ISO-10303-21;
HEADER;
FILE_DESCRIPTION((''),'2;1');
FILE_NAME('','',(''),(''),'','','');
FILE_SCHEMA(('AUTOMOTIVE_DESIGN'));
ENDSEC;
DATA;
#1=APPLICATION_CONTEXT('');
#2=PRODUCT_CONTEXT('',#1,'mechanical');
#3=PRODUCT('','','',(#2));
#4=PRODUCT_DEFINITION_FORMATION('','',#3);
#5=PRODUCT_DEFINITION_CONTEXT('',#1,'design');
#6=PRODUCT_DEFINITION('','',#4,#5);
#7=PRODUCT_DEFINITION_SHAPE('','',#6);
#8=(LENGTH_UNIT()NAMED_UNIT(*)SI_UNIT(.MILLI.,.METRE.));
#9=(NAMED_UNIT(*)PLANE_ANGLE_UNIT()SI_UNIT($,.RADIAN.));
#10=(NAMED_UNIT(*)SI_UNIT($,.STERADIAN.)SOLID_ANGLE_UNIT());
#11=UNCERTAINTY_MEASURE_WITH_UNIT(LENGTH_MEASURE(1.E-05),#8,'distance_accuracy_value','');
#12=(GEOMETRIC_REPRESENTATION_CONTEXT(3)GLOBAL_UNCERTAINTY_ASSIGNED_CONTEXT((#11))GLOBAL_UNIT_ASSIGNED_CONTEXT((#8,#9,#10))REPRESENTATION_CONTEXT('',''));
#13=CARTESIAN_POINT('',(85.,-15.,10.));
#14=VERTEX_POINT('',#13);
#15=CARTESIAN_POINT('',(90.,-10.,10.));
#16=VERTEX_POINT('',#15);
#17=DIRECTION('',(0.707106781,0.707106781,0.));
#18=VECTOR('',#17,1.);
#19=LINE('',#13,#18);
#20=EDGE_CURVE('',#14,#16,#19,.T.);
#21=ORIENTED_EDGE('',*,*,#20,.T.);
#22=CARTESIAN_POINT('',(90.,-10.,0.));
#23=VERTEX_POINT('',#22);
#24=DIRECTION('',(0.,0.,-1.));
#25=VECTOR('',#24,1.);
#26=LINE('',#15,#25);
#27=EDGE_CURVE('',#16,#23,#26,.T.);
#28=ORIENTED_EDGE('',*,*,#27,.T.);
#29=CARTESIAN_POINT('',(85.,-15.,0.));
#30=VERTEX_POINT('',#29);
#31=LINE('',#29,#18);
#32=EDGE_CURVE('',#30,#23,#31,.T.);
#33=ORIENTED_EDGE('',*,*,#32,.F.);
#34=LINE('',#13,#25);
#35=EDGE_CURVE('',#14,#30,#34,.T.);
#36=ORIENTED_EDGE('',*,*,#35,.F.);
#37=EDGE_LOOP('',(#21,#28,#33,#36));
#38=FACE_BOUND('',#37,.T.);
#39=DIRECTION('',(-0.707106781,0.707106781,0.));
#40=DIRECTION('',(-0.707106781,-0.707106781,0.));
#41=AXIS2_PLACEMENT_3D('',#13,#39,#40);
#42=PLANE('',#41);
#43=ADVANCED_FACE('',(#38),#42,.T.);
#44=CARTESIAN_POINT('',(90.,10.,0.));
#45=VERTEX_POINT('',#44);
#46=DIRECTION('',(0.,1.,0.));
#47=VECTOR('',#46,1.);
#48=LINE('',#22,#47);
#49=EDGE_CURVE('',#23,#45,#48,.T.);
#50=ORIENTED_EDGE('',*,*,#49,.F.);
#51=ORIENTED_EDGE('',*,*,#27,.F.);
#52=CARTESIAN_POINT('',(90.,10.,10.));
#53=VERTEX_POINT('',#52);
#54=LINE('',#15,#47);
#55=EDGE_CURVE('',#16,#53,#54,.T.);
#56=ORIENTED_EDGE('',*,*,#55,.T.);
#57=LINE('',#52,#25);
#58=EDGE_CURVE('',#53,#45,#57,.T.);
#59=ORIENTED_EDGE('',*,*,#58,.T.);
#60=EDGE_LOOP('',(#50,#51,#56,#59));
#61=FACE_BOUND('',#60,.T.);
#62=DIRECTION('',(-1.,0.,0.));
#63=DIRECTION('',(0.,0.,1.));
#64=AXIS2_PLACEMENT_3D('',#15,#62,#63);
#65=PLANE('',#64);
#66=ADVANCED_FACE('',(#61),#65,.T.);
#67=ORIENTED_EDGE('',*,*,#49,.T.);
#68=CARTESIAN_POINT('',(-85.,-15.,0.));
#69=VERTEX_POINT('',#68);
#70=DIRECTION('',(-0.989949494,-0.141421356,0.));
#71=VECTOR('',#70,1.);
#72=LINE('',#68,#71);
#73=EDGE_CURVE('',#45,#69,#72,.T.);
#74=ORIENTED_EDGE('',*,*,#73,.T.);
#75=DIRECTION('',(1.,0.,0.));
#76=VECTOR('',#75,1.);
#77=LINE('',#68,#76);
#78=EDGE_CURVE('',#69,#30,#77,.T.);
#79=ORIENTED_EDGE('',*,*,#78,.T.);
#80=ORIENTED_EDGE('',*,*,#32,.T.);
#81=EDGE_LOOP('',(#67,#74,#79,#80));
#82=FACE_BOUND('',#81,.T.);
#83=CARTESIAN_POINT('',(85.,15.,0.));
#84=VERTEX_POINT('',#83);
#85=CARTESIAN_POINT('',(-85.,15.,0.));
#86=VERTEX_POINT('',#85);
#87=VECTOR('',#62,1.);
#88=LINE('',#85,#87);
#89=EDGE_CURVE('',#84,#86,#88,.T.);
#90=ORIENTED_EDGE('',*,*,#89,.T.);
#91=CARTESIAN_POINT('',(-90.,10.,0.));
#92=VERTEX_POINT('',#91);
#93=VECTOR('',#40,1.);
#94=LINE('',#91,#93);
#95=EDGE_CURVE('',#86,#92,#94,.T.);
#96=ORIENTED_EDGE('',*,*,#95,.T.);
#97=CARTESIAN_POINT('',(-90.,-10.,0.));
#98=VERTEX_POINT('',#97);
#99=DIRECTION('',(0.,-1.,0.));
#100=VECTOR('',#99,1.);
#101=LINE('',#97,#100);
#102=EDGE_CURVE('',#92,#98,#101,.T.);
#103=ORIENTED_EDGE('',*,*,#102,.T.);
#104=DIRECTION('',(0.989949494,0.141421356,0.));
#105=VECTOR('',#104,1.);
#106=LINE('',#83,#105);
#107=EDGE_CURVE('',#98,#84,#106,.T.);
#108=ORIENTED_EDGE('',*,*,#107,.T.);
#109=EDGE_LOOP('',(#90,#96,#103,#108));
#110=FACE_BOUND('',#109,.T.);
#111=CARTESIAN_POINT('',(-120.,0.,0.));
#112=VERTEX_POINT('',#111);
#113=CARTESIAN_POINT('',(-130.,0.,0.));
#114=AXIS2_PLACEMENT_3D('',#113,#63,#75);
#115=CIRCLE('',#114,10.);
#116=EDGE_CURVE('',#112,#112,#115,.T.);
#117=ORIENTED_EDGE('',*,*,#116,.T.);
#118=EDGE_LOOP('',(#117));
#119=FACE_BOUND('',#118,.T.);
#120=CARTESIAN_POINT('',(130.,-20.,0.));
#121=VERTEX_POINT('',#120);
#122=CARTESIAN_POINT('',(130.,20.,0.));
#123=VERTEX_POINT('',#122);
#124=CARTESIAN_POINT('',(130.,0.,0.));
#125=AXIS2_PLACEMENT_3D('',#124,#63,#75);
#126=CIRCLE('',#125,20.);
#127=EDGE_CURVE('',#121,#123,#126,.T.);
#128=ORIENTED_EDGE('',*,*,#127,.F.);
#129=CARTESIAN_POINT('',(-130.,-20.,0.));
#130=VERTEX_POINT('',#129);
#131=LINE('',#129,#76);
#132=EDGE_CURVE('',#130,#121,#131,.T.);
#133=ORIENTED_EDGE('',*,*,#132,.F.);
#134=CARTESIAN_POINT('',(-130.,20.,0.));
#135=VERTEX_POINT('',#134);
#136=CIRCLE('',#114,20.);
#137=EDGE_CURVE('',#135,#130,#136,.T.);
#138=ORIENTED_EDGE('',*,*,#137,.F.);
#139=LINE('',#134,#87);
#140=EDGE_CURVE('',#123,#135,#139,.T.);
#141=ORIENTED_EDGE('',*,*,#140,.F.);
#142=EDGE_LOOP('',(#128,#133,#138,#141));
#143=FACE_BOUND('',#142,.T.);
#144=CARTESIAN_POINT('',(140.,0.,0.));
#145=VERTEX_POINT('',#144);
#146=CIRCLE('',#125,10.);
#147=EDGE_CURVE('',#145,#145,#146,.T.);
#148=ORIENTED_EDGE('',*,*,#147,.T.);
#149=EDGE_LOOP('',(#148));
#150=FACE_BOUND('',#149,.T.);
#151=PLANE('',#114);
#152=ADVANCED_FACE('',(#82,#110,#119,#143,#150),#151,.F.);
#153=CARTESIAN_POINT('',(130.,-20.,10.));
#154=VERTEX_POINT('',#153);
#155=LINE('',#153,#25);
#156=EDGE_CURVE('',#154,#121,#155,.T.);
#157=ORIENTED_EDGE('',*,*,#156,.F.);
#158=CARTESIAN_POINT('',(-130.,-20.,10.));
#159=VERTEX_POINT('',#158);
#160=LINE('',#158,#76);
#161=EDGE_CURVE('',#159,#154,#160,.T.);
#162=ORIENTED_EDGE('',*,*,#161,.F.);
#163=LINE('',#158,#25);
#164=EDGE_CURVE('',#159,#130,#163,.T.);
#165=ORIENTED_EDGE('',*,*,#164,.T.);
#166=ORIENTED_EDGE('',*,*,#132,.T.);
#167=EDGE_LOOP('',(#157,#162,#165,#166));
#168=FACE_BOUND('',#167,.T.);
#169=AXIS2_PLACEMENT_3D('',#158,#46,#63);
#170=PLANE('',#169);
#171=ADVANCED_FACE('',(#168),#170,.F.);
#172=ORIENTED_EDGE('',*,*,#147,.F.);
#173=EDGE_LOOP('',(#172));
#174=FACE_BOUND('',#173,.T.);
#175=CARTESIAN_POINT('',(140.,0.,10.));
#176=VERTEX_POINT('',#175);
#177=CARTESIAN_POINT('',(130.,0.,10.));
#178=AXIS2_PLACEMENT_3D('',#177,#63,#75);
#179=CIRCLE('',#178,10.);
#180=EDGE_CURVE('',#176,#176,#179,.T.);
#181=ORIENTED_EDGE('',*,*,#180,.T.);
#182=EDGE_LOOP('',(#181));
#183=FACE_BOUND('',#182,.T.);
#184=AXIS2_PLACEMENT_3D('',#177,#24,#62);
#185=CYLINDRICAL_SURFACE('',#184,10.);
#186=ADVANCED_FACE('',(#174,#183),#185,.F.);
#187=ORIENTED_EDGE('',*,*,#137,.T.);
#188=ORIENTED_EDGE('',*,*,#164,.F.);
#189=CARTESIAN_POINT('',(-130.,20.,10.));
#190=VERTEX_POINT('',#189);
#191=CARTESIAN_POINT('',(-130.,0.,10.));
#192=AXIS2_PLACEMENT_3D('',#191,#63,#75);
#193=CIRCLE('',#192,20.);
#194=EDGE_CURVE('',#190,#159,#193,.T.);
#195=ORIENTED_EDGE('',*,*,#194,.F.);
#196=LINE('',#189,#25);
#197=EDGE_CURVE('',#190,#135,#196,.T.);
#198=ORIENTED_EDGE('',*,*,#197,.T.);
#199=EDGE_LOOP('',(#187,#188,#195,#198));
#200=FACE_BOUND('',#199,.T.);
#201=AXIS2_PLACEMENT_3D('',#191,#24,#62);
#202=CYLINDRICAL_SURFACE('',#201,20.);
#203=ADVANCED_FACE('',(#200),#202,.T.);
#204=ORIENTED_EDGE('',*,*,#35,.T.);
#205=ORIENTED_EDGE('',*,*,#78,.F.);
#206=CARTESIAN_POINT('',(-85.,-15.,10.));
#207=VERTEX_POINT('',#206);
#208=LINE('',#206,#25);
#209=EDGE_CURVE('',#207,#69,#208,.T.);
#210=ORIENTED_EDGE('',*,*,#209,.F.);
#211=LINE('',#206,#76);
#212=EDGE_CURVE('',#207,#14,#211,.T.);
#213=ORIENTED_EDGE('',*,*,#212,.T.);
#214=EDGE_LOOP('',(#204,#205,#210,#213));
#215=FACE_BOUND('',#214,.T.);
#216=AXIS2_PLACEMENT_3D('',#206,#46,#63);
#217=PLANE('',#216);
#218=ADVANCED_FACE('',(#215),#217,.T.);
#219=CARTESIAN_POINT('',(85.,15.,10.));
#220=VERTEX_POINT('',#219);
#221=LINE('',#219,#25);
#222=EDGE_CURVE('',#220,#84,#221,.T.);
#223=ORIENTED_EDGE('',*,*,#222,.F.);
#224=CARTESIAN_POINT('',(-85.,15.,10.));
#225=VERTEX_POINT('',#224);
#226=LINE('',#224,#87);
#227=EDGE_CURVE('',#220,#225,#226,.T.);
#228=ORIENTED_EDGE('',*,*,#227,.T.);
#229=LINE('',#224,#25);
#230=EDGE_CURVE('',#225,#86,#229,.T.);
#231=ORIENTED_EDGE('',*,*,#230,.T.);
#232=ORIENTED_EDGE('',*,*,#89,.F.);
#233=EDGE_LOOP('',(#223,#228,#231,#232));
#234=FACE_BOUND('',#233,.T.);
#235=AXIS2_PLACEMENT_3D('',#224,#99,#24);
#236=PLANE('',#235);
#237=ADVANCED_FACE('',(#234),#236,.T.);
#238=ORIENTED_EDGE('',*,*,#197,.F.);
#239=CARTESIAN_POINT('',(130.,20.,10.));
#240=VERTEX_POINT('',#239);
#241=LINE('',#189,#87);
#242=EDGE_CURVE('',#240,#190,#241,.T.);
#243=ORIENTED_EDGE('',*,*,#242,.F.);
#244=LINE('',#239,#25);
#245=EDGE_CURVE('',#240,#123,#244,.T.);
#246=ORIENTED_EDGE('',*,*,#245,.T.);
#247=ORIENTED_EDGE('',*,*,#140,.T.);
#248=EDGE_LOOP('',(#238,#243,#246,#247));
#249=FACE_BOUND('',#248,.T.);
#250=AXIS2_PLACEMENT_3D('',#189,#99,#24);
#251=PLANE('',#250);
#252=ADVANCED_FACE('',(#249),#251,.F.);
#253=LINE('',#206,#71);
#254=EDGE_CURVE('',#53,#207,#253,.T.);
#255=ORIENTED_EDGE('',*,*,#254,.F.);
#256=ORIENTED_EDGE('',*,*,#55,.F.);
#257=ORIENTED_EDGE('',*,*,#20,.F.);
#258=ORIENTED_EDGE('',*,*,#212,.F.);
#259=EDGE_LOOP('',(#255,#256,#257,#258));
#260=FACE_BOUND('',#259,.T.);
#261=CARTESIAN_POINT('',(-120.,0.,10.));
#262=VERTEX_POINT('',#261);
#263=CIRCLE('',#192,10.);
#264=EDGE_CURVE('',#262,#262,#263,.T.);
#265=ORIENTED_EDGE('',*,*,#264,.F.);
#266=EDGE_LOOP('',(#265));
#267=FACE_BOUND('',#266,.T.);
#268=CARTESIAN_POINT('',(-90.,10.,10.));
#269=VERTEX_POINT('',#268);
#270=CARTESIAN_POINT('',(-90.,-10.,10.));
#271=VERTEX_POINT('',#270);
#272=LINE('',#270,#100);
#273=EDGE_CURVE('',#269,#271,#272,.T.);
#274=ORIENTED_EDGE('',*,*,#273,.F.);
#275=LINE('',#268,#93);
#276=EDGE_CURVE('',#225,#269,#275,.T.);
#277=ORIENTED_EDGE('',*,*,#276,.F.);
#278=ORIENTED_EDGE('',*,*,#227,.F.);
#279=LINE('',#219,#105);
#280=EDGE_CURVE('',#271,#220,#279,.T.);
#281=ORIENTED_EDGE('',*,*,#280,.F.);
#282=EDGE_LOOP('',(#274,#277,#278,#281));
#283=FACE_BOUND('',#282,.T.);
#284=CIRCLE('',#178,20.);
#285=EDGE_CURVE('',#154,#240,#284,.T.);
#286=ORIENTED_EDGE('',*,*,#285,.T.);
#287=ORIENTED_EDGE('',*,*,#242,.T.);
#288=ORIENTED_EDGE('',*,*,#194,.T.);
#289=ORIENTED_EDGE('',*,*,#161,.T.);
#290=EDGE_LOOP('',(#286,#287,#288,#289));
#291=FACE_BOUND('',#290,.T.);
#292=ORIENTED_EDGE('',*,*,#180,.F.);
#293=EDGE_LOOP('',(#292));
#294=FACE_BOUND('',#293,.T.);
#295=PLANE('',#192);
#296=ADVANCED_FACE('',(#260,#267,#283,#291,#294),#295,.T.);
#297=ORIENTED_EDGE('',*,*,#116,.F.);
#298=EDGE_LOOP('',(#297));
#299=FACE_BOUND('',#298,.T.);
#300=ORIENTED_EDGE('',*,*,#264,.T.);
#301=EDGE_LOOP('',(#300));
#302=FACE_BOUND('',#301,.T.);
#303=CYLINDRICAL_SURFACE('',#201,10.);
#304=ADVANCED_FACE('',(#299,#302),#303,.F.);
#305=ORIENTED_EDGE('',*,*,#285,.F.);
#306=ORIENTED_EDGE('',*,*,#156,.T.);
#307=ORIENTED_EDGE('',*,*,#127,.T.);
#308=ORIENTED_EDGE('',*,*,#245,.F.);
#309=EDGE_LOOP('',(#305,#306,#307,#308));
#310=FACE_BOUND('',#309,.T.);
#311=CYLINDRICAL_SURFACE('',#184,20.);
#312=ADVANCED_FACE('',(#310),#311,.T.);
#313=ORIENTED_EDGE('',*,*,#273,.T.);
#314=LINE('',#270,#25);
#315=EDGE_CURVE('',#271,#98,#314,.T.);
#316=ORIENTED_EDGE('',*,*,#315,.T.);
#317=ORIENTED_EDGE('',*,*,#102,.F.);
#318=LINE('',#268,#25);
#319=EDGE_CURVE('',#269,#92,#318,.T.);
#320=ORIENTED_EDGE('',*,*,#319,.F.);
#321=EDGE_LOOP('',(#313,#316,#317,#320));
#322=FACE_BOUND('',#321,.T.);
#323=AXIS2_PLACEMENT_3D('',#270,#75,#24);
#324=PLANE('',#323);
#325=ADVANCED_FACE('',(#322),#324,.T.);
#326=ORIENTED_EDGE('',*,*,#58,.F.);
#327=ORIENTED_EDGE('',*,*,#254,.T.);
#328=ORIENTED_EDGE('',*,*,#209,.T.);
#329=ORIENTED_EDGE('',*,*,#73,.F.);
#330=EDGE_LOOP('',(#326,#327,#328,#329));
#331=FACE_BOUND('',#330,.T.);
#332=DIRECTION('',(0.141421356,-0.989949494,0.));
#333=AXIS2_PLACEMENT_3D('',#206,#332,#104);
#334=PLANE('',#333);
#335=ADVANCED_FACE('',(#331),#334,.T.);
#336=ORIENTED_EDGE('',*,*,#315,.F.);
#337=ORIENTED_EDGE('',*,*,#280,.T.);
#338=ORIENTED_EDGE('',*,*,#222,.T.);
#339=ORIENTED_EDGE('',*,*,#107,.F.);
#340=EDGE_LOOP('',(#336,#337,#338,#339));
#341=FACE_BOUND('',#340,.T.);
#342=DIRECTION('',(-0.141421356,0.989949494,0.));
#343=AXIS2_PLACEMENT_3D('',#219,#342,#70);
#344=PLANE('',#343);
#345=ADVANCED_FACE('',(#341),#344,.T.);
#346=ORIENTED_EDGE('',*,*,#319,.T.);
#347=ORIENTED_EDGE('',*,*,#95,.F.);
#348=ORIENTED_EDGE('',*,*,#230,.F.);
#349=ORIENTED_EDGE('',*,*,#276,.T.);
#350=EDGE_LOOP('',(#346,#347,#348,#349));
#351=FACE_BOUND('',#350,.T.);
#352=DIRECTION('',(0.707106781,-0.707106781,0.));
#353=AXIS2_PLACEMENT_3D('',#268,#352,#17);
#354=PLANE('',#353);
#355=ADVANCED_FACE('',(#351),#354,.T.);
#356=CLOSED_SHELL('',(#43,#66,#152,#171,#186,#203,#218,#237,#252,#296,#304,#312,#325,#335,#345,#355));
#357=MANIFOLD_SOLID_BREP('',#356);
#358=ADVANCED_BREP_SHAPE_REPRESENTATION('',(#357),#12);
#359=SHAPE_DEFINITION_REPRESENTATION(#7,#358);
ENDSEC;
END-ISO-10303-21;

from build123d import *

# Parameters (mm, degrees)
SKETCH1_R           = 10
BOSS_EXTRUDE1_DEPTH = 10


with BuildPart() as part:
    # Sketch1 → Boss-Extrude1 (new body)
    with BuildSketch(Plane.XY):
        with BuildLine():
            Line((-130, -20), (130, -20))
            ThreePointArc((130, -20), (150, 0), (130, 20))
            Line((130, 20), (-130, 20))
            ThreePointArc((-130, 20), (-150, 0), (-130, -20))
        make_face()
        with Locations((130, 0)):
            Circle(SKETCH1_R, mode=Mode.SUBTRACT)
        with Locations((-130, 0)):
            Circle(SKETCH1_R, mode=Mode.SUBTRACT)
        Polygon((-90, 10), (-85, 15), (85, 15), (-90, -10), align=None, mode=Mode.SUBTRACT)
        Polygon((-85, -15), (85, -15), (90, -10), (90, 10), align=None, mode=Mode.SUBTRACT)
    extrude(amount=BOSS_EXTRUDE1_DEPTH)


solid = part.part
